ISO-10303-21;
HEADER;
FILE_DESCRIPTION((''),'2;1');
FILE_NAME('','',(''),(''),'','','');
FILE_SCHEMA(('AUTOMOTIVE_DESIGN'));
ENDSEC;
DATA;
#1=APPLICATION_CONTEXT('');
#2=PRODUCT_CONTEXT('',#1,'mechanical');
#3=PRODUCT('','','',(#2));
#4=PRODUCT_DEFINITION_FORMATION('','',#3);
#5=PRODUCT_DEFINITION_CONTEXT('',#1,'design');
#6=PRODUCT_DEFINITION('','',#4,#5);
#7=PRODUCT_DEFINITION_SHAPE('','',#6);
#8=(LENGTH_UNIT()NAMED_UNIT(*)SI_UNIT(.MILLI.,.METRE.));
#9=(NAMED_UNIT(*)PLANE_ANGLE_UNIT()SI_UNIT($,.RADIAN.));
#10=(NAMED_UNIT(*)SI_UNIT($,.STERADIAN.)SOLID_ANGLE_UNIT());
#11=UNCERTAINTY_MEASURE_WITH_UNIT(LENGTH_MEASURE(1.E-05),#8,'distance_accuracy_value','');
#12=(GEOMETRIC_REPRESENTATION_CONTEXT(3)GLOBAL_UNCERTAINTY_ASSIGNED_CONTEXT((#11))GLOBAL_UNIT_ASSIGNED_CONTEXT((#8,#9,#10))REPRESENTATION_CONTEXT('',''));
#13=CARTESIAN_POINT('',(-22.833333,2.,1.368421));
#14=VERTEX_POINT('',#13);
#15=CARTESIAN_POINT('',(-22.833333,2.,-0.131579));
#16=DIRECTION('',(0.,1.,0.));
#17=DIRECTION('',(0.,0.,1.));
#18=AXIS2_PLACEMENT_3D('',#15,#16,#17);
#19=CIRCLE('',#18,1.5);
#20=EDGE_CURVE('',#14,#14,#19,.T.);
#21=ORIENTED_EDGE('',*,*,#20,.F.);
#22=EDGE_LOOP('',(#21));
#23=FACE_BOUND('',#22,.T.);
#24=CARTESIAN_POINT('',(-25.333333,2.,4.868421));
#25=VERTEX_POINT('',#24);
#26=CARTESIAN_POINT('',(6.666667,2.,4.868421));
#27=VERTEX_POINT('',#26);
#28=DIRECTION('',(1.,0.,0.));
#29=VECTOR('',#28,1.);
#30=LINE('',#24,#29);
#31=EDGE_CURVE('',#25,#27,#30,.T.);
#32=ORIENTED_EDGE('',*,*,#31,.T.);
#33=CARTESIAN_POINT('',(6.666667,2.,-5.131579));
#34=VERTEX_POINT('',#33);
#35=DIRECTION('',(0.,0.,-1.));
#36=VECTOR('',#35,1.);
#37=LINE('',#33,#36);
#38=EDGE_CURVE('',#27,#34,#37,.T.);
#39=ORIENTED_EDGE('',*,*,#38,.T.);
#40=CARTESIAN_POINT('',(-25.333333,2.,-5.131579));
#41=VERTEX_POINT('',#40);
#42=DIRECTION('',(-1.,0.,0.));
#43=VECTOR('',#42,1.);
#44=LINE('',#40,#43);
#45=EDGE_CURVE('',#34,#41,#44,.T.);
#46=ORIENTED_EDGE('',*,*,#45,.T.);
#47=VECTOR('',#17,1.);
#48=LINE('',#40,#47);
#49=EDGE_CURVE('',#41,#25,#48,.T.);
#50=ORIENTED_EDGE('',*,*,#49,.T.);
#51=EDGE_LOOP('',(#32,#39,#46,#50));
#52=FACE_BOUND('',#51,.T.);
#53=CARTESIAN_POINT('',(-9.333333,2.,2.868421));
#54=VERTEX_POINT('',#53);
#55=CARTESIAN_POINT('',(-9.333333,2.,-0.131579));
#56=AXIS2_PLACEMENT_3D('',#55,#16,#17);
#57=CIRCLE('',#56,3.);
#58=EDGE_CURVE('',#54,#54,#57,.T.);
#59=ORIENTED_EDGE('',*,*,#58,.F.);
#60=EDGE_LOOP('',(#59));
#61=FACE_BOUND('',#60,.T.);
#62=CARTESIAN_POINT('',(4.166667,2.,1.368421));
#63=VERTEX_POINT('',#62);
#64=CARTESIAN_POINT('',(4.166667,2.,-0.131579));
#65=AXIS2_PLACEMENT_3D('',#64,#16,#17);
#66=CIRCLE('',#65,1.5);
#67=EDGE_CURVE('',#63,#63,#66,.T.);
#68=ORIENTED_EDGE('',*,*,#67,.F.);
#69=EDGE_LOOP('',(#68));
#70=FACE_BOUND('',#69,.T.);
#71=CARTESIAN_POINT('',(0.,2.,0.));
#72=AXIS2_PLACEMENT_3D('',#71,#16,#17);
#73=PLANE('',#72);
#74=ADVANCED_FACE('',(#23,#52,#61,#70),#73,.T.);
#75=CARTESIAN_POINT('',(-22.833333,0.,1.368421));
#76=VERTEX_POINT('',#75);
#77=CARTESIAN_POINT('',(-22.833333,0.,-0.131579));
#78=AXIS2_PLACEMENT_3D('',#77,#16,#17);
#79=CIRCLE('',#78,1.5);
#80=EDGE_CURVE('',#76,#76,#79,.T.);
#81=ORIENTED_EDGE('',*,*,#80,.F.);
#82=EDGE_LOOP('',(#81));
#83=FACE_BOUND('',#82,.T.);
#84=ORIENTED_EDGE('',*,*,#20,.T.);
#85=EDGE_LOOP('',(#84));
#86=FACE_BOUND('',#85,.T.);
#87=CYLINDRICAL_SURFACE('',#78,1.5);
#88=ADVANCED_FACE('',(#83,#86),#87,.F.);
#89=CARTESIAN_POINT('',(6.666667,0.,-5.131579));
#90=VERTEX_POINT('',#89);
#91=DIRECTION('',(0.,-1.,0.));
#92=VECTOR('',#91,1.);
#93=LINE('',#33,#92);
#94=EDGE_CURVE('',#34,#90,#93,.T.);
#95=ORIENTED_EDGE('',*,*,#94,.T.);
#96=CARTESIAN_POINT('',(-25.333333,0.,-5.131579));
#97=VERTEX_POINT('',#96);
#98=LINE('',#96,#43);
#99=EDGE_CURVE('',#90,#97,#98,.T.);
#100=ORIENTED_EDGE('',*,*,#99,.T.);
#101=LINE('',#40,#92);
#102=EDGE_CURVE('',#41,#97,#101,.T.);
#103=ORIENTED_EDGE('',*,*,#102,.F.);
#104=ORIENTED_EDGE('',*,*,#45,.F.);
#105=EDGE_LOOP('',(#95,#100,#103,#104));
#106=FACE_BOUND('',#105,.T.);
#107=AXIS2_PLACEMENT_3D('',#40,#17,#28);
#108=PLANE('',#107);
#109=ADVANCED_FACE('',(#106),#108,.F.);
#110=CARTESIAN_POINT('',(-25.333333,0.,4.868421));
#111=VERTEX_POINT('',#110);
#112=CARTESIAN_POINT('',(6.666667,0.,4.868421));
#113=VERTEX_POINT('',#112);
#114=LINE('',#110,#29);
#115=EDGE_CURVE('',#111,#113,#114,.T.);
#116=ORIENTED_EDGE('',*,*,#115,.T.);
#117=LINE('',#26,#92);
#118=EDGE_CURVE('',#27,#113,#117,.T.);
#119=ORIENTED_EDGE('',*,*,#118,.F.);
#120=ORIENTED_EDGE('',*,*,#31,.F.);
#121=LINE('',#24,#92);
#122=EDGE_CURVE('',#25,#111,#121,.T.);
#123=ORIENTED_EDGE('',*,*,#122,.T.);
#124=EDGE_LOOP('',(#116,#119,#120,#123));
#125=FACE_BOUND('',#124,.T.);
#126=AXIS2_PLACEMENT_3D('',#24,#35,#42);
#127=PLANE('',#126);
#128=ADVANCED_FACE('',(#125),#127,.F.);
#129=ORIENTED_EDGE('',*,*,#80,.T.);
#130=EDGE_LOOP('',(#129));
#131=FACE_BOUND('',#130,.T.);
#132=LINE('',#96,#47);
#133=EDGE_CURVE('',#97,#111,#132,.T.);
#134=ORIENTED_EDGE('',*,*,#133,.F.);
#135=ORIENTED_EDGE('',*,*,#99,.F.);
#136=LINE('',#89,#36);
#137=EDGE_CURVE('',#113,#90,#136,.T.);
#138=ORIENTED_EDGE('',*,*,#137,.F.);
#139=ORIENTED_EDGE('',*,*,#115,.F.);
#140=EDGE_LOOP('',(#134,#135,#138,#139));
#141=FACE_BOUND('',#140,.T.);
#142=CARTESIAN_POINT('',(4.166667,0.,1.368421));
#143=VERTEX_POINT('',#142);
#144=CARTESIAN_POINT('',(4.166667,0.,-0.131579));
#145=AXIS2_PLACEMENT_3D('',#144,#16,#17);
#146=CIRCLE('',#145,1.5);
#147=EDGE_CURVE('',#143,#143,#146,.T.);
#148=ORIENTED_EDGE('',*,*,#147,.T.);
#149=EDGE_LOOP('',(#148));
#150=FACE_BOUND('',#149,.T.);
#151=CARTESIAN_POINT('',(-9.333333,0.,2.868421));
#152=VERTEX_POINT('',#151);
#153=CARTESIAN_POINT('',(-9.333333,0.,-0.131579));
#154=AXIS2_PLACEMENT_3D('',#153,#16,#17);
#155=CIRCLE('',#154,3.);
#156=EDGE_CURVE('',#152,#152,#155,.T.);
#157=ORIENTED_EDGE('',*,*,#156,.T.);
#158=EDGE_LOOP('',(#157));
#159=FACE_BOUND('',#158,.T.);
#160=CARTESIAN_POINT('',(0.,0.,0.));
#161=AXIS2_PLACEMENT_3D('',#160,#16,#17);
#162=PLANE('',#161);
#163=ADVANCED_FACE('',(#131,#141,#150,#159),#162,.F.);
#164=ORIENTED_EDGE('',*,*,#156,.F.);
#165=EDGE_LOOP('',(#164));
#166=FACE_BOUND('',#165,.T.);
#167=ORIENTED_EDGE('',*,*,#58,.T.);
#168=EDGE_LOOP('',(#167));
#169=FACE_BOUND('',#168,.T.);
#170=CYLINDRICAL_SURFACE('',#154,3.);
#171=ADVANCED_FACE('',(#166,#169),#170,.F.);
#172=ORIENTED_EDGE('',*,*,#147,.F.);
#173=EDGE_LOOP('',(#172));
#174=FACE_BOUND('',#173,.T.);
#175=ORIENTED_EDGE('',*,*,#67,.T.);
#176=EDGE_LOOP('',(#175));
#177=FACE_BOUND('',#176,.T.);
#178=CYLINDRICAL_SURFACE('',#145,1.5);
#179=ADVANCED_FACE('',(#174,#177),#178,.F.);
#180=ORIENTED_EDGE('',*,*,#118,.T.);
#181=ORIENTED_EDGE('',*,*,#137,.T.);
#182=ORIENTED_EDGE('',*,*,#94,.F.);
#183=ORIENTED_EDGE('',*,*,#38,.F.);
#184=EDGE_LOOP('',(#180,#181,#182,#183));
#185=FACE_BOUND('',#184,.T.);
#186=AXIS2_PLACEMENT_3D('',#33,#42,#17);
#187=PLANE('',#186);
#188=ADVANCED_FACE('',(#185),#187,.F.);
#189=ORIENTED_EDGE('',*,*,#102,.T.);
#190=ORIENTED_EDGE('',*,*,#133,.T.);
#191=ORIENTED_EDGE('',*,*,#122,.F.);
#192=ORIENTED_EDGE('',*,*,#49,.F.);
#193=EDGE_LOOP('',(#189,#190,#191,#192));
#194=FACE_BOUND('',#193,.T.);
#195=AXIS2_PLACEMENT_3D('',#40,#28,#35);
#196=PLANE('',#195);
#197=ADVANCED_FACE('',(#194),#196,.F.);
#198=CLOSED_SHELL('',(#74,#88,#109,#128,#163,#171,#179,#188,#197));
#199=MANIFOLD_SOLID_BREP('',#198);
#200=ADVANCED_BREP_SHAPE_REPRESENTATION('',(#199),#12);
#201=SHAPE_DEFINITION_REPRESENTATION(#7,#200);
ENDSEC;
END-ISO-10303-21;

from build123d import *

# Parameters (mm, degrees)
SKETCH1_W           = 32
SKETCH1_H           = 10
BOSS_EXTRUDE1_DEPTH = 2
SKETCH2_R           = 1.5
SKETCH2_R_2         = 3
CUT_EXTRUDE1_DEPTH  = 3


with BuildPart() as part:
    # Sketch1 → Boss-Extrude1 (new body)
    with BuildSketch(Plane(origin=(0, 0, 0), x_dir=(1, 0, 0), z_dir=(0, 1, 0))):
        with Locations((-9.333333333, 0.131578947)):
            Rectangle(SKETCH1_W, SKETCH1_H)
    extrude(amount=BOSS_EXTRUDE1_DEPTH)

    # Sketch2 → Cut-Extrude1 (cut, through all)
    with BuildSketch(Plane(origin=(0, 2, 0), x_dir=(1, 0, 0), z_dir=(0, 1, 0))):
        with Locations((-22.833333333, 0.131578947)):
            Circle(SKETCH2_R)
        with Locations((4.166666667, 0.131578947)):
            Circle(SKETCH2_R)
        with Locations((-9.333333333, 0.131578947)):
            Circle(SKETCH2_R_2)
    extrude(amount=-CUT_EXTRUDE1_DEPTH, mode=Mode.SUBTRACT)


solid = part.part
